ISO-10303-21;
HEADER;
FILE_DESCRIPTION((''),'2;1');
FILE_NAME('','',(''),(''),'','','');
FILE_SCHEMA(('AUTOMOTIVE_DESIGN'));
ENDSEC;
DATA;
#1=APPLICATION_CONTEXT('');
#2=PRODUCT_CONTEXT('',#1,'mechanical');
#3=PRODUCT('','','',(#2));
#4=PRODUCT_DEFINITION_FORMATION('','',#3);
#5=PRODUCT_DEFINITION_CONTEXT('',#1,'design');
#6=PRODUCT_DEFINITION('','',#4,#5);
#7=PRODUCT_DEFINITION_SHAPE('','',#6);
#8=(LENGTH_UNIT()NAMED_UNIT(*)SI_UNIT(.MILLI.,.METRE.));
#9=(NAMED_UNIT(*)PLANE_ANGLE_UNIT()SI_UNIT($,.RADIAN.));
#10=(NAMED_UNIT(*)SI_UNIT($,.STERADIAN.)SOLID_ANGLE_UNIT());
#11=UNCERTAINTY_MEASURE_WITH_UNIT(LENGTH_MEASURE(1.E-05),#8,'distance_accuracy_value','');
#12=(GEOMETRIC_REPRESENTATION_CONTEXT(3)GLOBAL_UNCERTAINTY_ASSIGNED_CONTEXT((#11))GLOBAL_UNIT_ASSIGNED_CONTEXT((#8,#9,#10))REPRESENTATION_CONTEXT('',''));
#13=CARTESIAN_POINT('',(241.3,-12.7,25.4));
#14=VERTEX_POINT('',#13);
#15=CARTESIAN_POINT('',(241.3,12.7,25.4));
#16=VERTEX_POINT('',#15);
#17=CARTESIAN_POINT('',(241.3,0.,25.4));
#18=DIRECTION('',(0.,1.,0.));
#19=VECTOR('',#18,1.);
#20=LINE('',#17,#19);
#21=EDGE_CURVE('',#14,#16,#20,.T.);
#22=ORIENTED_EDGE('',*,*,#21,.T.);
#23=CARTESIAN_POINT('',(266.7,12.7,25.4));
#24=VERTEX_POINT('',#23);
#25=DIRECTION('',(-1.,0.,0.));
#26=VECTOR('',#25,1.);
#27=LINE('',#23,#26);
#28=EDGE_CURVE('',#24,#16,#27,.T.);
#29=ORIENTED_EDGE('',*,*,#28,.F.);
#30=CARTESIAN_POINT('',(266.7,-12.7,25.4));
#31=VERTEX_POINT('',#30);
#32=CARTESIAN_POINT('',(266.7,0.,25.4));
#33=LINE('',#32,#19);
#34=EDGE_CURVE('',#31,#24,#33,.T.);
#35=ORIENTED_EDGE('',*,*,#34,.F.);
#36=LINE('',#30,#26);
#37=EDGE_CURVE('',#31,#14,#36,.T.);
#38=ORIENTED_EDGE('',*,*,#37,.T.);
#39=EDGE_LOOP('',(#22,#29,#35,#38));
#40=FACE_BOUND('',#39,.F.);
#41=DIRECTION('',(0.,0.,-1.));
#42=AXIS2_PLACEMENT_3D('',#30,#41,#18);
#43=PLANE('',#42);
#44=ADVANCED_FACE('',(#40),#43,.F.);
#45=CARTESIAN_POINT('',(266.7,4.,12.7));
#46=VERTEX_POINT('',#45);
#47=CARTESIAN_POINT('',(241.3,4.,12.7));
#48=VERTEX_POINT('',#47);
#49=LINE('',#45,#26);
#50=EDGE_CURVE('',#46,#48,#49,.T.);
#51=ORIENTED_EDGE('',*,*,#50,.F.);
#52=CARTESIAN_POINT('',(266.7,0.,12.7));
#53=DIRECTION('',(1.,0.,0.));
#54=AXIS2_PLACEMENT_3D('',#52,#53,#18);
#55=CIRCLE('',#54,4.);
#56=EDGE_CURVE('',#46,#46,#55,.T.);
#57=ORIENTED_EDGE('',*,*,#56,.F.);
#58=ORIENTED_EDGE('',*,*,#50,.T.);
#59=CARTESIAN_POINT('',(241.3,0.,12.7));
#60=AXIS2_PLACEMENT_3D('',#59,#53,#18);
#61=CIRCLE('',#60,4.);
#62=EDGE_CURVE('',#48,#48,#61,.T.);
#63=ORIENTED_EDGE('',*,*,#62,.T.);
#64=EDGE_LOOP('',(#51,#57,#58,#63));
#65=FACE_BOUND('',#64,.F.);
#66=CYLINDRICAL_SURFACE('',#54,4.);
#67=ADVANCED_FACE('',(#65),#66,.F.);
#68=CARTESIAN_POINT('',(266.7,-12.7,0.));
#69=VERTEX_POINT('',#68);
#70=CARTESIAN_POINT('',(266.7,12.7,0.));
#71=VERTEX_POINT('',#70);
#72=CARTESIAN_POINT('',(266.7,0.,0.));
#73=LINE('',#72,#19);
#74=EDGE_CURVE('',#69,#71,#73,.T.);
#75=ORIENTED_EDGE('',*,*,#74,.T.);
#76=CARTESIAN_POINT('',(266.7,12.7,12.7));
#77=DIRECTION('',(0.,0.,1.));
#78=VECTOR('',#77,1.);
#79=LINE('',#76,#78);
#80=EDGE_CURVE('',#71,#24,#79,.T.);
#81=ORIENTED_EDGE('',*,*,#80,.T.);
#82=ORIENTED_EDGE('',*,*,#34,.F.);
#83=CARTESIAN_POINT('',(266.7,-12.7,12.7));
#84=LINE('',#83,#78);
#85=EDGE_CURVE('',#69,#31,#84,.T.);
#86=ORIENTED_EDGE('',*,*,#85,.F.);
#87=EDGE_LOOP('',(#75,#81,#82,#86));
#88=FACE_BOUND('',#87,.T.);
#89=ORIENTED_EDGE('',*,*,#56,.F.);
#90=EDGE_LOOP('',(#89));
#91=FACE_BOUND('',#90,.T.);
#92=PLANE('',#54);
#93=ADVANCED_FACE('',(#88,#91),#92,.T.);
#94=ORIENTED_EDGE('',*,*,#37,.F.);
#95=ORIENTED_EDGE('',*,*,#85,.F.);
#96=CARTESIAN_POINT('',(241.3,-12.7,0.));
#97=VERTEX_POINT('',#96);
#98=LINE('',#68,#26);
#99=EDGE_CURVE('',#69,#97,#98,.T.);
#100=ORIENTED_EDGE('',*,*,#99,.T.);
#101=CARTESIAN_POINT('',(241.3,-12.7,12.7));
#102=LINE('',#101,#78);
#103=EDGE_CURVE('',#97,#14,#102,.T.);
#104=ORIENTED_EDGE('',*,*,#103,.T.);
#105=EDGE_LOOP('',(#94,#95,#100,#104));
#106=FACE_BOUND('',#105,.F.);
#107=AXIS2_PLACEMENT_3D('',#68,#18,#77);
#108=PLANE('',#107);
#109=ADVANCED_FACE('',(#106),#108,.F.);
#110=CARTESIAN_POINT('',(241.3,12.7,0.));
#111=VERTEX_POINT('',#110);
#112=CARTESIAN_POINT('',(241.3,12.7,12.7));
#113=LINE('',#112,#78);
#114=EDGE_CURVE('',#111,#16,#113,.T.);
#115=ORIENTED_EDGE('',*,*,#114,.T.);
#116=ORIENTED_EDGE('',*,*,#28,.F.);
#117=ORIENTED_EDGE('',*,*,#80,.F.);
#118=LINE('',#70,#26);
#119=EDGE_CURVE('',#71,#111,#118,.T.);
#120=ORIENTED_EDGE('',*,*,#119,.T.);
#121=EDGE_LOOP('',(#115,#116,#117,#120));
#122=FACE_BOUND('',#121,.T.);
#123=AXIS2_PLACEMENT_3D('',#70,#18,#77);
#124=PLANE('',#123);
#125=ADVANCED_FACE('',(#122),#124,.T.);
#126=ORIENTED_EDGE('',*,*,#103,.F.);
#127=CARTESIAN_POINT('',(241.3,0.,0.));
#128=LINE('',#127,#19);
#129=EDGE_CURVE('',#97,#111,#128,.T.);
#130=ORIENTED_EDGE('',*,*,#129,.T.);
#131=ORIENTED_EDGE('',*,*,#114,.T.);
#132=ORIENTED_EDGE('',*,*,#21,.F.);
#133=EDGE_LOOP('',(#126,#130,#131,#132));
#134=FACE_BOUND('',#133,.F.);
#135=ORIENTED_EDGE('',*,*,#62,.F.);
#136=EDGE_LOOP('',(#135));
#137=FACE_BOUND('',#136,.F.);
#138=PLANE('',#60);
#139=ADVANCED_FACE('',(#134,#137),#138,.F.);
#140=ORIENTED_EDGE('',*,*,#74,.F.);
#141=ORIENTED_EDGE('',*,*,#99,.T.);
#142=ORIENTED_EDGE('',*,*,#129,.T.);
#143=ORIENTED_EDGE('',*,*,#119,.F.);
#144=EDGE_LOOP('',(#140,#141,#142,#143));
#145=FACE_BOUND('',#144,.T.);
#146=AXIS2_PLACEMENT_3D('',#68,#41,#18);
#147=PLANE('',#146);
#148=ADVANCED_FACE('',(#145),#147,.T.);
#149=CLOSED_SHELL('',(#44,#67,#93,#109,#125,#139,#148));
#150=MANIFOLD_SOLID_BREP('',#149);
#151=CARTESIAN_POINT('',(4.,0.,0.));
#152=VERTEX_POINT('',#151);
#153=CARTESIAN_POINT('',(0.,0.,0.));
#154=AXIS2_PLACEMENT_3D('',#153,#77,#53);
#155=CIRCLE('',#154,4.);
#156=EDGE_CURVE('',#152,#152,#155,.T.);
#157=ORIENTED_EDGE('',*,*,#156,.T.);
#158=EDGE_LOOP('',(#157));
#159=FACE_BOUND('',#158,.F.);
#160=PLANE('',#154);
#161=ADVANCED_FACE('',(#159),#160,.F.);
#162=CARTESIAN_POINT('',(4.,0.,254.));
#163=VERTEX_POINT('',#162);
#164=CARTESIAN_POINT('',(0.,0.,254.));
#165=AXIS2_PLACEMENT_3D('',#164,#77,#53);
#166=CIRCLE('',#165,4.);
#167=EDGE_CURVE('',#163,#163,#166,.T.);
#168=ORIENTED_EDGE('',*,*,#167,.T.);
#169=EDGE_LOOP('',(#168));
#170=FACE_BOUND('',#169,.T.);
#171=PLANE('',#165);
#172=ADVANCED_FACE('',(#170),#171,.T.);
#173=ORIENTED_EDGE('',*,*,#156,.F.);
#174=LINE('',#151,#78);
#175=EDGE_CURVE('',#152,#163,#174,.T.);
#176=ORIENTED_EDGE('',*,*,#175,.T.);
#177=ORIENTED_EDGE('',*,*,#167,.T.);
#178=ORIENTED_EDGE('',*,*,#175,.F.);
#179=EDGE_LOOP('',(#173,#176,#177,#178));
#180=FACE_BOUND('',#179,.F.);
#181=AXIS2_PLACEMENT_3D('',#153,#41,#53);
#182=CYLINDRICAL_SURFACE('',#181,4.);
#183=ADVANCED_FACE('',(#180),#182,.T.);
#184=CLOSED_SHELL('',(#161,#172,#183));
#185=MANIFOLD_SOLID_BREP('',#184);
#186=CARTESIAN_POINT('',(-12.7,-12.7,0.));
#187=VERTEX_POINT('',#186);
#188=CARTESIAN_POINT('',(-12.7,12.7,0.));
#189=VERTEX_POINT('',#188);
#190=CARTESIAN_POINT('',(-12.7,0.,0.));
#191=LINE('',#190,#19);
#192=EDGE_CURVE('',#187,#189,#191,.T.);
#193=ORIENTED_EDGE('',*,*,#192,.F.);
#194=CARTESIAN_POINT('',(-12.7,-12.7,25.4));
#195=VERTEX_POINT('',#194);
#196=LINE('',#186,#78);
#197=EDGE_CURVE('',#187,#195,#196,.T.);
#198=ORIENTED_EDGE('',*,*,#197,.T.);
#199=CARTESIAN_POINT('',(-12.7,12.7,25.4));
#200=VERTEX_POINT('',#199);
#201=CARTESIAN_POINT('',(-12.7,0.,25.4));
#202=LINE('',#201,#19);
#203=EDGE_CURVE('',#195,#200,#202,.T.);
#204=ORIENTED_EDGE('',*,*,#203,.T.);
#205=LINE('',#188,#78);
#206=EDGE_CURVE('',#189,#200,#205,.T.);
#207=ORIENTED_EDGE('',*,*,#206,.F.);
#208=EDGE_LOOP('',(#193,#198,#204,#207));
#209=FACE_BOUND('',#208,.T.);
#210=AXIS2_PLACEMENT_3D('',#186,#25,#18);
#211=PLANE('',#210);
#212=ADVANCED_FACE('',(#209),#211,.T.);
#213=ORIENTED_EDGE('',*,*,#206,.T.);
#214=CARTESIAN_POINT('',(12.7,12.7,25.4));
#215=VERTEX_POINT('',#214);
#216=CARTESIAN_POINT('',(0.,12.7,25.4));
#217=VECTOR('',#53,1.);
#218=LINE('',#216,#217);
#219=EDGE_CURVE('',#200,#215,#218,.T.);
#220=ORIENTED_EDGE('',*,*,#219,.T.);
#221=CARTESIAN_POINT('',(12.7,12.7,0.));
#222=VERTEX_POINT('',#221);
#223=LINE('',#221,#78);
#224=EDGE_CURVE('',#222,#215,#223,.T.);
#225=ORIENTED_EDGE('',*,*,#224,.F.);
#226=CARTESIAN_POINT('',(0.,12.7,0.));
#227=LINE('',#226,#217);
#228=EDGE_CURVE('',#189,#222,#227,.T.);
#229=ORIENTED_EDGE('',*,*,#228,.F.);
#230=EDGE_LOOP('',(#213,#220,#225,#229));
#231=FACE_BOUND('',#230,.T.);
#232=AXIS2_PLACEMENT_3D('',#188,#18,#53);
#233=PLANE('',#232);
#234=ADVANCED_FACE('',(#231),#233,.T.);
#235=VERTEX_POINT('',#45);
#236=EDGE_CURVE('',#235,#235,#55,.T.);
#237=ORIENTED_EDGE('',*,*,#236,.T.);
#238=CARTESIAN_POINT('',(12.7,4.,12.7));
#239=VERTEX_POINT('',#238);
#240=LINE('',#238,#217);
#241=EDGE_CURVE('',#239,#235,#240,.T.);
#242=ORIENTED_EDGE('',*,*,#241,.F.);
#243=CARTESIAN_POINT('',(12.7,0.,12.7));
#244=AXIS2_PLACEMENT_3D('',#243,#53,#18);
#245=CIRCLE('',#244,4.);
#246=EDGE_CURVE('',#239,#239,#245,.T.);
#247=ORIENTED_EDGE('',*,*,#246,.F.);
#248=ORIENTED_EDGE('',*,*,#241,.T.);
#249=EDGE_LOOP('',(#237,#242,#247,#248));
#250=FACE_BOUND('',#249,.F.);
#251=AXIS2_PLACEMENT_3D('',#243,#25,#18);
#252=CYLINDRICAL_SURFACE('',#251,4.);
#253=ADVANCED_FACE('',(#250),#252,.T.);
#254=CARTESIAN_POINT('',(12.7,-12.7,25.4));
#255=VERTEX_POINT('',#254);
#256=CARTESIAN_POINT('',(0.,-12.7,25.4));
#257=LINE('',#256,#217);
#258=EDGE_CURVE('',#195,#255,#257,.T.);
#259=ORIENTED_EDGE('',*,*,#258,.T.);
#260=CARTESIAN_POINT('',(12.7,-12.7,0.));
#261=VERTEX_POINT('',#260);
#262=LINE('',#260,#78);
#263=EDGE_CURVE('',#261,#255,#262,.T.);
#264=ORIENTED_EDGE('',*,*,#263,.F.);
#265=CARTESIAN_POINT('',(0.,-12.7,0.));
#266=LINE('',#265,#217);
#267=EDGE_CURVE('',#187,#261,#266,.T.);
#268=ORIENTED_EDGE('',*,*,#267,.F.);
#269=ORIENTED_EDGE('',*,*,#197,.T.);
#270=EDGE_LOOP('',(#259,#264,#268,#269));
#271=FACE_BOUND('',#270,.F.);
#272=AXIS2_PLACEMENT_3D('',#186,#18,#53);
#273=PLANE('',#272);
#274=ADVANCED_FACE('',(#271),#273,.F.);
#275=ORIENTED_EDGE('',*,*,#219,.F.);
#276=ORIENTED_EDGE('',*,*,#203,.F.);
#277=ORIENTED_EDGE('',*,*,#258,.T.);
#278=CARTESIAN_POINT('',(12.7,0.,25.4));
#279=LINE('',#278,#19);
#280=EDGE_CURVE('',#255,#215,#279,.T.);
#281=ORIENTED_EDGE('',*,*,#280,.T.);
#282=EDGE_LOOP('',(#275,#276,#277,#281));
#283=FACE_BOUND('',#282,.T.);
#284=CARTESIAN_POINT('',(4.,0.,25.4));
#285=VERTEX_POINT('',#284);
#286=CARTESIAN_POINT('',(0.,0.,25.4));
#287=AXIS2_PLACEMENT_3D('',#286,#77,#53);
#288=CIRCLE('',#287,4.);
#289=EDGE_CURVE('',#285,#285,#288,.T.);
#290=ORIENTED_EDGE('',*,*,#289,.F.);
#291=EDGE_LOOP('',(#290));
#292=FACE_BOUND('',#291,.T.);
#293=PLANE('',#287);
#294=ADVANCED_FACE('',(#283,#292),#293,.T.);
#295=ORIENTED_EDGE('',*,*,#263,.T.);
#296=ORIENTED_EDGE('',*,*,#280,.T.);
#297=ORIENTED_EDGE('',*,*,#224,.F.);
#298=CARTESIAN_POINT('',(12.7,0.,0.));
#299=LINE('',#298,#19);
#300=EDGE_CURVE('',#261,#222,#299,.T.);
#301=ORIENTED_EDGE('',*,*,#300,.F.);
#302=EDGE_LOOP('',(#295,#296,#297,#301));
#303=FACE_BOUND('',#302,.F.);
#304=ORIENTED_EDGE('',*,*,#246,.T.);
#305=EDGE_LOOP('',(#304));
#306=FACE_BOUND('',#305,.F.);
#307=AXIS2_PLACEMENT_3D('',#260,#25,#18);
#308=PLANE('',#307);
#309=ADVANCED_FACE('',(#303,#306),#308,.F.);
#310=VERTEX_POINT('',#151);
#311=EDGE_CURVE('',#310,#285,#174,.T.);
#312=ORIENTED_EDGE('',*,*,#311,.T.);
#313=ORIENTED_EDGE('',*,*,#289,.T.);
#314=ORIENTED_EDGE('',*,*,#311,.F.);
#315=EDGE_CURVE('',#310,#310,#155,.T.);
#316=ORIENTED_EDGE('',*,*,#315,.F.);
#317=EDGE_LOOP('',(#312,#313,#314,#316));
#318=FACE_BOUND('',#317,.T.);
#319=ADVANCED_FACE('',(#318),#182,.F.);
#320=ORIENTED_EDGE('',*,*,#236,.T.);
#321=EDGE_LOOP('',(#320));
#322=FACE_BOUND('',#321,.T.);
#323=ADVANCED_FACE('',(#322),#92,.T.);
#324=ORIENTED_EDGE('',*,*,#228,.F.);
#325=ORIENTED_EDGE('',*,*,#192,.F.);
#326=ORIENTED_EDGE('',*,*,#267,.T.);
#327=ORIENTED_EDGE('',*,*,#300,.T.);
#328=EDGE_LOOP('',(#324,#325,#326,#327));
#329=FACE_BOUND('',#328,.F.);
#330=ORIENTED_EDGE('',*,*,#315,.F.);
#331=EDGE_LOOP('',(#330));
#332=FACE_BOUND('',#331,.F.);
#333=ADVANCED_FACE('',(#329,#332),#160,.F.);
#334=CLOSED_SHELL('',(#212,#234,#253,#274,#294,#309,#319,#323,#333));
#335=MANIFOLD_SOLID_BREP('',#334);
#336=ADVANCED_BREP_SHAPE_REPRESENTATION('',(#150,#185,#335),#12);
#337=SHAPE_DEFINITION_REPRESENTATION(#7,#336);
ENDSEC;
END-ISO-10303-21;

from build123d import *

# Parameters (mm, degrees)
F0_R     = 4
F1_DEPTH = 254
F2_W     = 25.4
F2_H     = 25.4
F2_R     = 4
F3_DEPTH = 25.4
F4_R     = 4
F5_DEPTH = 254
F6_W     = 25.4
F6_H     = 25.4
F6_R     = 4
F7_DEPTH = 25.4


with BuildPart() as f1:
    # F0 (on Top) → F1 (new body)
    with BuildSketch(Plane.XY):
        Circle(F0_R)
    extrude(amount=F1_DEPTH)


with BuildPart() as f3:
    # F2 (on Top) → F3 (new body)
    with BuildSketch(Plane.XY):
        Rectangle(F2_W, F2_H)
        Circle(F2_R, mode=Mode.SUBTRACT)
    extrude(amount=F3_DEPTH)

    # F4 (on face) → F5 (join)
    with BuildSketch(Plane.YZ.offset(12.7)):
        with Locations((0, 12.7)):
            Circle(F4_R)
    extrude(amount=F5_DEPTH)


with BuildPart() as f7:
    # F6 (on face) → F7 (new body)
    with BuildSketch(Plane.YZ.offset(266.7)):
        with Locations((0, 12.7)):
            Rectangle(F6_W, F6_H)
        with Locations((0, 12.7)):
            Circle(F6_R, mode=Mode.SUBTRACT)
    extrude(amount=-F7_DEPTH)


solid = Compound([f1.part, f3.part, f7.part])
